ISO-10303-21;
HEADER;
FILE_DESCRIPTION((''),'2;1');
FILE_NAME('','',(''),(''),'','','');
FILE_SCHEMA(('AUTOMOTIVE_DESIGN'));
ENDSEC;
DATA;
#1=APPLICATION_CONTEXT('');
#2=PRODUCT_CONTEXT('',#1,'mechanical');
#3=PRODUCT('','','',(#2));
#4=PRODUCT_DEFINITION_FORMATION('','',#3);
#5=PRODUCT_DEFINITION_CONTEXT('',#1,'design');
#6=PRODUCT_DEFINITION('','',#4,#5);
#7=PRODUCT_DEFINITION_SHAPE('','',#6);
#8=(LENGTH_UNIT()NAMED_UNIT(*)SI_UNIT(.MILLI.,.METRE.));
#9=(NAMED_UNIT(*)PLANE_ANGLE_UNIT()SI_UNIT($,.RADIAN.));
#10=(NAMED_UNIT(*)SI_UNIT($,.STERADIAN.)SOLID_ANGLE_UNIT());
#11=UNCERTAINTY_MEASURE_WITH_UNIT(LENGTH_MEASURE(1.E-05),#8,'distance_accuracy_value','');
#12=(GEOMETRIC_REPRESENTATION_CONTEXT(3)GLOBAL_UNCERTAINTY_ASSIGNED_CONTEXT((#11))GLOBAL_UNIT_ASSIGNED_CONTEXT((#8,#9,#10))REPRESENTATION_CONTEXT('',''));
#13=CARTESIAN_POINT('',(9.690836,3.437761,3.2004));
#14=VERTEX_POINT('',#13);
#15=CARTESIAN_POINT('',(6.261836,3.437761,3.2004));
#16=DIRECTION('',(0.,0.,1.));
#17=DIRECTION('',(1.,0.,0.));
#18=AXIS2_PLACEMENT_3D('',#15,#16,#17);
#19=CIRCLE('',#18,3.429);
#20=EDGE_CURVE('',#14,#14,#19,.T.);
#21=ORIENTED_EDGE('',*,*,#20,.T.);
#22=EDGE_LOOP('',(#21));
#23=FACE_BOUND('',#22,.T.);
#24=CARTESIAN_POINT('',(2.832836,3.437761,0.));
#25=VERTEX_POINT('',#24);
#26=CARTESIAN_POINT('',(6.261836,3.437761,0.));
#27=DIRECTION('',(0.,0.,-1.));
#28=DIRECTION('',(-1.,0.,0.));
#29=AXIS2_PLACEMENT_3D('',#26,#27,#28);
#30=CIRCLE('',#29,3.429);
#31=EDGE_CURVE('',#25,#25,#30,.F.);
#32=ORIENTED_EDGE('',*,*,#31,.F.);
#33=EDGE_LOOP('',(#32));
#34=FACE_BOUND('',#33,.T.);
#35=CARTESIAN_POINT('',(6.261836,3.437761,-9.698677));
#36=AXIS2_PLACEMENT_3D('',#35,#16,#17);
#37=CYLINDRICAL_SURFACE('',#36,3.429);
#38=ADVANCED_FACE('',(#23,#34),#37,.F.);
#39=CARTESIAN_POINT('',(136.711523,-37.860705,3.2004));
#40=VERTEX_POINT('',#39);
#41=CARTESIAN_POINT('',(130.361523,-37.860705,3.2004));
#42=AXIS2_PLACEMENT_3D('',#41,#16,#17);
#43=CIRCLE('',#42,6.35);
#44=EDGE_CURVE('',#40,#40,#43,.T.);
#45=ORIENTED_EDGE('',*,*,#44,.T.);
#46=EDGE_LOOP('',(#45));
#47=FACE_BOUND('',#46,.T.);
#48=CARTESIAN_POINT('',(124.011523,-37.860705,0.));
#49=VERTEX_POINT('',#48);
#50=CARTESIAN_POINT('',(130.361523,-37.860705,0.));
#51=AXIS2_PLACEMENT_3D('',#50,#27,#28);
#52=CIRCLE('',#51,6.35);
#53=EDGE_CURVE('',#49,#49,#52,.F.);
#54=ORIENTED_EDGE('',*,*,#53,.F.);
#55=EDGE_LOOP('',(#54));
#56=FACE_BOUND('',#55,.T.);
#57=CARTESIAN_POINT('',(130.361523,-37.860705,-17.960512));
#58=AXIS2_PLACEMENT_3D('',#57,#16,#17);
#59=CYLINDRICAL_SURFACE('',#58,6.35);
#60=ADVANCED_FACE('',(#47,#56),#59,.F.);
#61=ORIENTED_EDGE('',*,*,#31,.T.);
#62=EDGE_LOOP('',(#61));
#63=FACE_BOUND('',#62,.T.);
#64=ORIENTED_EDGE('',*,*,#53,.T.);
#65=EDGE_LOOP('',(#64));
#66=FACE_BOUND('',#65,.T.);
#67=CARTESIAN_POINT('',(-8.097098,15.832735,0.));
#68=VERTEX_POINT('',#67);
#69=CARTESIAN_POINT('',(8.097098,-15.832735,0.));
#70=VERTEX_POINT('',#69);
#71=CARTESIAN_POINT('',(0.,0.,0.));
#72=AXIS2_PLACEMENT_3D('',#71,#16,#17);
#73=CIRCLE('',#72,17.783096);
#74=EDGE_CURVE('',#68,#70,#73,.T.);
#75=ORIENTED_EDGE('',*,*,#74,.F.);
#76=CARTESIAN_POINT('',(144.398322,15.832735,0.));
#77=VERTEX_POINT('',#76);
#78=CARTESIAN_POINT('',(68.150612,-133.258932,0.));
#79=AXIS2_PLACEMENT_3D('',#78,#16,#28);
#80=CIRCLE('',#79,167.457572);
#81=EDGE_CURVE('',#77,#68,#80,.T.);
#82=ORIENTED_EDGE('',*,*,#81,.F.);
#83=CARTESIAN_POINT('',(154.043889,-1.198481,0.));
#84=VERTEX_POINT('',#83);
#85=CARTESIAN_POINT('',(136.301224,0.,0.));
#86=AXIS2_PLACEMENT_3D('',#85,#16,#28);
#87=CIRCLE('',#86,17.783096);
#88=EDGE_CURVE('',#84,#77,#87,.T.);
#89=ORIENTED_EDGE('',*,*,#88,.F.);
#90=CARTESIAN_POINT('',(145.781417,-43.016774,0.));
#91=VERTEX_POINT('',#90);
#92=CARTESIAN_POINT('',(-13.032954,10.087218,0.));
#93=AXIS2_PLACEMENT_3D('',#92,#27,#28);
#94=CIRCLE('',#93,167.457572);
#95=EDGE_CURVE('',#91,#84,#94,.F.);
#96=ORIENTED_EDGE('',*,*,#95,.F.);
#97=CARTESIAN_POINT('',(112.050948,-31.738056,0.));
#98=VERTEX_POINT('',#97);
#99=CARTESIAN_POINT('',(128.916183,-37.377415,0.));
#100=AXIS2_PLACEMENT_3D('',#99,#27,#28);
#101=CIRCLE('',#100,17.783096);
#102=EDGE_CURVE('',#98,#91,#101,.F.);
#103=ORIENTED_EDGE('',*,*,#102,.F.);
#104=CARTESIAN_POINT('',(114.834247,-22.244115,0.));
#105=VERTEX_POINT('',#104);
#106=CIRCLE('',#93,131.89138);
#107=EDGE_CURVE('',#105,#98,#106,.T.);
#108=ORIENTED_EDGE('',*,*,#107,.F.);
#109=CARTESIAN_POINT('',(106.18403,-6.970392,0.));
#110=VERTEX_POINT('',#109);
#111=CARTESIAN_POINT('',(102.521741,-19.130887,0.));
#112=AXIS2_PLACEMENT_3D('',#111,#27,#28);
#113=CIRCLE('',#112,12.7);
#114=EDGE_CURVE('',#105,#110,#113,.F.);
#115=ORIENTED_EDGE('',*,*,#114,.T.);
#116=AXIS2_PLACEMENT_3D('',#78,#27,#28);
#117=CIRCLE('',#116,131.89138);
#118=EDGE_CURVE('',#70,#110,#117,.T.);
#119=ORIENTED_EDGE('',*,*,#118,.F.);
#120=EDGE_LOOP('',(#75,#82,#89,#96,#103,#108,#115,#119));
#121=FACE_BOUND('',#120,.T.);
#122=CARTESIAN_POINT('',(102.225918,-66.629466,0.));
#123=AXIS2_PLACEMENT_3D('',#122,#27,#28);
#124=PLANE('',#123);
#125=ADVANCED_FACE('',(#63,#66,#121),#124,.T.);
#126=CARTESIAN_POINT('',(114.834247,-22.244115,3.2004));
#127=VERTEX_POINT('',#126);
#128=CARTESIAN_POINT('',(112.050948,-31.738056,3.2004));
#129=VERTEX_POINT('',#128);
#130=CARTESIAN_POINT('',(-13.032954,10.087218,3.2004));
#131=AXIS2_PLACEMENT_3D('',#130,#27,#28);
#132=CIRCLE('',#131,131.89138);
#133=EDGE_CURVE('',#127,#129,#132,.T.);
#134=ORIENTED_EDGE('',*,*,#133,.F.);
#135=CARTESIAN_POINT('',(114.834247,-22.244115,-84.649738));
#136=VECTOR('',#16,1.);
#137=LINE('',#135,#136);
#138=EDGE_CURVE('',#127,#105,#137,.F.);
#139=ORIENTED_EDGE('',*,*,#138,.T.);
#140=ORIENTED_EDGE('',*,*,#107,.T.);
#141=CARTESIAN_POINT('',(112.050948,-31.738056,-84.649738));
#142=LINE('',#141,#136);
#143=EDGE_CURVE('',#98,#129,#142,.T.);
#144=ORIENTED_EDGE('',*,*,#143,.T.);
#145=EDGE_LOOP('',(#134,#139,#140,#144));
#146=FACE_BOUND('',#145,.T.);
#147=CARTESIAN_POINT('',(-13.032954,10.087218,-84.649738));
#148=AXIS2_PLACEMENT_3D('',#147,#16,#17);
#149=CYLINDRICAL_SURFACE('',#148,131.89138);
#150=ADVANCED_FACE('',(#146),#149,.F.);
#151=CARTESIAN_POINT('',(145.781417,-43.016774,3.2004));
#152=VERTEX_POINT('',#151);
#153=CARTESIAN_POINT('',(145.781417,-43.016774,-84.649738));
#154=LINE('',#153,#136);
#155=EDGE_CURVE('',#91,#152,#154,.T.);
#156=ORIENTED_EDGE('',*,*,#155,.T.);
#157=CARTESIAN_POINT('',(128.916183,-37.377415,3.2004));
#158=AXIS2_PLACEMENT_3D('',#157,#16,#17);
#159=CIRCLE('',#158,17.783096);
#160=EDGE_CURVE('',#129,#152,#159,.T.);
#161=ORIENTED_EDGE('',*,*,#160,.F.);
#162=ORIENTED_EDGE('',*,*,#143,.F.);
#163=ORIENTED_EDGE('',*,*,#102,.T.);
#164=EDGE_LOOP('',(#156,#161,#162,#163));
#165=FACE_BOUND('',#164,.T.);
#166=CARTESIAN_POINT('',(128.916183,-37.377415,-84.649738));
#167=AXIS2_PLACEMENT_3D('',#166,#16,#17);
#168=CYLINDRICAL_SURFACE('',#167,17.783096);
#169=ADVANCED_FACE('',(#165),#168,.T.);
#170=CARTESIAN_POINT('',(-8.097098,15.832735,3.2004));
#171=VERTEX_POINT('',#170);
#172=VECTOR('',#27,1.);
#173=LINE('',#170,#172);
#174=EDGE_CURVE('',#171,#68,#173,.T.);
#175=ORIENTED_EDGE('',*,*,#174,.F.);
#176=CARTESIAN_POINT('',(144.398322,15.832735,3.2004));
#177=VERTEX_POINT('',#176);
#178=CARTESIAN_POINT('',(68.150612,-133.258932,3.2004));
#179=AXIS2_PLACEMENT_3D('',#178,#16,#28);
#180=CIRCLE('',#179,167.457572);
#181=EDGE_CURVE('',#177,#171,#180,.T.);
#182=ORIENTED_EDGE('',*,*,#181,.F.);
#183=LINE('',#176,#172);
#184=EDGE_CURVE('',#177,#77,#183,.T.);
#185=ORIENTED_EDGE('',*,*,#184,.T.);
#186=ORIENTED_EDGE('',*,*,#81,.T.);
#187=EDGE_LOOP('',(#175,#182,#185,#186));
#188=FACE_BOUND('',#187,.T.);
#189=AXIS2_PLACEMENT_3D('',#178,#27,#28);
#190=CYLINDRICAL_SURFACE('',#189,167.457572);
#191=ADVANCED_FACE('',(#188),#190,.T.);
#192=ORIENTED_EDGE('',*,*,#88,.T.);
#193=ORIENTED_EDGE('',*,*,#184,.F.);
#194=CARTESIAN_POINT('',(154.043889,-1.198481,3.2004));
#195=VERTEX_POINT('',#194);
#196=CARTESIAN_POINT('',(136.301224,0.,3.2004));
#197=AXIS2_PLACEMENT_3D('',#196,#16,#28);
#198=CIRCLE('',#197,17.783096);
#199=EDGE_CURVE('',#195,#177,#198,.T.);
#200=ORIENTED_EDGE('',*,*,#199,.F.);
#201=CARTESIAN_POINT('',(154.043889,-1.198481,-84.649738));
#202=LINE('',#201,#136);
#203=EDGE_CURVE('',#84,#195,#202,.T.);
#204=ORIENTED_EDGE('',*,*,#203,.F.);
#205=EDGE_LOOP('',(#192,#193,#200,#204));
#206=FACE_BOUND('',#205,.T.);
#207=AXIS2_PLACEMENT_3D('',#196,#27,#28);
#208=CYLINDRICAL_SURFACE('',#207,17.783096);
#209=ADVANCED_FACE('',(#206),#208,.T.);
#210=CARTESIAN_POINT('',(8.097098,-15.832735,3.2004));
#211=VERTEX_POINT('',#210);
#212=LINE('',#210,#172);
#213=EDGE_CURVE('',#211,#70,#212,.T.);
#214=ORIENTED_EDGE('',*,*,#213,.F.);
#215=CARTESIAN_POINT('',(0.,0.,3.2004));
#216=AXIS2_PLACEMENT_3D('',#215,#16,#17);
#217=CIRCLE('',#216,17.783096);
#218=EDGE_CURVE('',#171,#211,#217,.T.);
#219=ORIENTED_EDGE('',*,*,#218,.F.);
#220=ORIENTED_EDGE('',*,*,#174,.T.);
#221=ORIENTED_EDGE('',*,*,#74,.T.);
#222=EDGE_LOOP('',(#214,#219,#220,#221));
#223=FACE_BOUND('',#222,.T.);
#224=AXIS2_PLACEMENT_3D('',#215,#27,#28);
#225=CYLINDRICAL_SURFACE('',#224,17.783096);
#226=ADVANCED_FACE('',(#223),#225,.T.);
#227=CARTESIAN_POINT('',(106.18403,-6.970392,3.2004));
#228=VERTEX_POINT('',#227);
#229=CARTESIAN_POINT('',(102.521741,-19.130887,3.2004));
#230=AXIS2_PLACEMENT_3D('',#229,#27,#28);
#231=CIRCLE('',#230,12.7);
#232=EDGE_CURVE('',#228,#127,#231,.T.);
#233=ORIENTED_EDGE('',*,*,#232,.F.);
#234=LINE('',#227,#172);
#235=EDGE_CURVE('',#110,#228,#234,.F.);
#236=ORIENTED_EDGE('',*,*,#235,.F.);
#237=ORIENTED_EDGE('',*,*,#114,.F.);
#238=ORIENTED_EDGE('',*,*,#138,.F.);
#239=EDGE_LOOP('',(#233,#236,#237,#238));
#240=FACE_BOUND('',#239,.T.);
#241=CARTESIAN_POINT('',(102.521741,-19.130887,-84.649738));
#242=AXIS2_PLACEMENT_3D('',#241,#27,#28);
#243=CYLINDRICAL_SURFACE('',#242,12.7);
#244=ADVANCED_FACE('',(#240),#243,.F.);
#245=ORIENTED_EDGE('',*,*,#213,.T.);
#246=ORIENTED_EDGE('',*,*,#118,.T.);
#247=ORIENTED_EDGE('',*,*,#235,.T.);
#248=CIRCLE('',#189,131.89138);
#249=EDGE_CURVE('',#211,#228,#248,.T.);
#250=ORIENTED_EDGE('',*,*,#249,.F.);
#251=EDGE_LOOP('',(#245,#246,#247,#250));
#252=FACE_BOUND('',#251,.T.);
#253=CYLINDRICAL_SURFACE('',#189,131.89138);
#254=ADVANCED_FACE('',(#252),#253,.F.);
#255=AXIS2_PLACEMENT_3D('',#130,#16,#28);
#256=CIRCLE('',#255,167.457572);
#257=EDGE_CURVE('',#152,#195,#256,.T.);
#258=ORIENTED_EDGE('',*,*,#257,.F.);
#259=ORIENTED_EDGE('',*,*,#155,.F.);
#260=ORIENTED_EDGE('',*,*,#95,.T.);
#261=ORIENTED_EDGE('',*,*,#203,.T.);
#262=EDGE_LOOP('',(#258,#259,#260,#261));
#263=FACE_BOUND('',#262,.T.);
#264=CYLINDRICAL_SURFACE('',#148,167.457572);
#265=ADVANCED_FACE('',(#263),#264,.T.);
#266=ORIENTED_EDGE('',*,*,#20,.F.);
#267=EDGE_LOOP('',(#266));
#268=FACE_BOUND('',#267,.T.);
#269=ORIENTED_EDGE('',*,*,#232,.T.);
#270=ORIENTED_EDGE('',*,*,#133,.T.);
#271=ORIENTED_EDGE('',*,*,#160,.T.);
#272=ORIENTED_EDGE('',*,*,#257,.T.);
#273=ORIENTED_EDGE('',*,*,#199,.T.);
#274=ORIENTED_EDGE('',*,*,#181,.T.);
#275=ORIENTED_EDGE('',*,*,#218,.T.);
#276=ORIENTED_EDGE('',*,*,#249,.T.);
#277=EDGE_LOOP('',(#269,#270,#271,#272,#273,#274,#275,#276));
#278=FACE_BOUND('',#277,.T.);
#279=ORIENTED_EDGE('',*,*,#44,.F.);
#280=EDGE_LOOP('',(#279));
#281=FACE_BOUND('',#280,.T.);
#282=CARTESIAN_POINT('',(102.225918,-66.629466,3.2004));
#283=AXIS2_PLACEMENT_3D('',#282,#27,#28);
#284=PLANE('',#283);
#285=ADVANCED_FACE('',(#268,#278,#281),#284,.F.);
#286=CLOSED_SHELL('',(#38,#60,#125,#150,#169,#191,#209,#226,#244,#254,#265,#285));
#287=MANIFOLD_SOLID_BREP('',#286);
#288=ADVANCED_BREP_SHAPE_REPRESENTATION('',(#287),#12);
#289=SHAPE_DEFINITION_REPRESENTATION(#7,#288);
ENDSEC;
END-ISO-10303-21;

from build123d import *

# Parameters (mm, degrees)
BOSS_EXTRUDE1_DEPTH = 3.2004
SKETCH2_R           = 3.429
CUT_EXTRUDE1_DEPTH  = 3.2004
BOSS_EXTRUDE2_START = -3.2004
BOSS_EXTRUDE2_DEPTH = 3.2004
SKETCH4_R           = 6.35
CUT_EXTRUDE2_DEPTH  = 3.2004
FILLET1_R           = 12.7


with BuildPart() as part:
    # Sketch1 → Boss-Extrude1 (new body)
    with BuildSketch(Plane.XY):
        with BuildLine():
            ThreePointArc((-8.097097761, 15.832735205), (68.150612211, 34.198640293), (144.398322183, 15.832735205))
            ThreePointArc((144.398322183, 15.832735205), (152.133959628, -8.097097761), (128.204126662, -15.832735205))
            ThreePointArc((128.204126662, -15.832735205), (68.150612211, -1.367551307), (8.097097761, -15.832735205))
            ThreePointArc((8.097097761, -15.832735205), (-15.832735205, -8.097097761), (-8.097097761, 15.832735205))
        make_face()
    extrude(amount=BOSS_EXTRUDE1_DEPTH)

    # Sketch2 → Cut-Extrude1 (cut)
    with BuildSketch(Plane.XY.offset(3.2004)):
        with Locations((6.261836343, 3.437760818)):
            Circle(SKETCH2_R)
    extrude(amount=-CUT_EXTRUDE1_DEPTH, mode=Mode.SUBTRACT)

    # Sketch3 → Boss-Extrude2 (add)
    with BuildSketch(Plane.XY.offset(3.2004).offset(BOSS_EXTRUDE2_START)):
        with BuildLine():
            ThreePointArc((118.558560015, 1.198480685), (137.499705108, 17.742664408), (154.04388883, -1.198480685))
            ThreePointArc((154.04388883, -1.198480685), (151.248704167, -22.371604894), (145.781416871, -43.0167742))
            ThreePointArc((145.781416871, -43.0167742), (123.276823543, -54.242649292), (112.05094845, -31.738055964))
            ThreePointArc((112.05094845, -31.738055964), (116.357042584, -15.477699112), (118.558560015, 1.198480685))
        make_face()
    extrude(amount=BOSS_EXTRUDE2_DEPTH)

    # Sketch4 → Cut-Extrude2 (cut)
    with BuildSketch(Plane.XY.offset(3.2004)):
        with Locations((130.361522506, -37.860704571)):
            Circle(SKETCH4_R)
    extrude(amount=-CUT_EXTRUDE2_DEPTH, mode=Mode.SUBTRACT)

    # Fillet1
    fillet1_edges = [part.edges().sort_by_distance(p)[0] for p in [
        (117.190242121, -10.823434725, 1.6002),
    ]]
    fillet(fillet1_edges, radius=FILLET1_R)


solid = part.part
